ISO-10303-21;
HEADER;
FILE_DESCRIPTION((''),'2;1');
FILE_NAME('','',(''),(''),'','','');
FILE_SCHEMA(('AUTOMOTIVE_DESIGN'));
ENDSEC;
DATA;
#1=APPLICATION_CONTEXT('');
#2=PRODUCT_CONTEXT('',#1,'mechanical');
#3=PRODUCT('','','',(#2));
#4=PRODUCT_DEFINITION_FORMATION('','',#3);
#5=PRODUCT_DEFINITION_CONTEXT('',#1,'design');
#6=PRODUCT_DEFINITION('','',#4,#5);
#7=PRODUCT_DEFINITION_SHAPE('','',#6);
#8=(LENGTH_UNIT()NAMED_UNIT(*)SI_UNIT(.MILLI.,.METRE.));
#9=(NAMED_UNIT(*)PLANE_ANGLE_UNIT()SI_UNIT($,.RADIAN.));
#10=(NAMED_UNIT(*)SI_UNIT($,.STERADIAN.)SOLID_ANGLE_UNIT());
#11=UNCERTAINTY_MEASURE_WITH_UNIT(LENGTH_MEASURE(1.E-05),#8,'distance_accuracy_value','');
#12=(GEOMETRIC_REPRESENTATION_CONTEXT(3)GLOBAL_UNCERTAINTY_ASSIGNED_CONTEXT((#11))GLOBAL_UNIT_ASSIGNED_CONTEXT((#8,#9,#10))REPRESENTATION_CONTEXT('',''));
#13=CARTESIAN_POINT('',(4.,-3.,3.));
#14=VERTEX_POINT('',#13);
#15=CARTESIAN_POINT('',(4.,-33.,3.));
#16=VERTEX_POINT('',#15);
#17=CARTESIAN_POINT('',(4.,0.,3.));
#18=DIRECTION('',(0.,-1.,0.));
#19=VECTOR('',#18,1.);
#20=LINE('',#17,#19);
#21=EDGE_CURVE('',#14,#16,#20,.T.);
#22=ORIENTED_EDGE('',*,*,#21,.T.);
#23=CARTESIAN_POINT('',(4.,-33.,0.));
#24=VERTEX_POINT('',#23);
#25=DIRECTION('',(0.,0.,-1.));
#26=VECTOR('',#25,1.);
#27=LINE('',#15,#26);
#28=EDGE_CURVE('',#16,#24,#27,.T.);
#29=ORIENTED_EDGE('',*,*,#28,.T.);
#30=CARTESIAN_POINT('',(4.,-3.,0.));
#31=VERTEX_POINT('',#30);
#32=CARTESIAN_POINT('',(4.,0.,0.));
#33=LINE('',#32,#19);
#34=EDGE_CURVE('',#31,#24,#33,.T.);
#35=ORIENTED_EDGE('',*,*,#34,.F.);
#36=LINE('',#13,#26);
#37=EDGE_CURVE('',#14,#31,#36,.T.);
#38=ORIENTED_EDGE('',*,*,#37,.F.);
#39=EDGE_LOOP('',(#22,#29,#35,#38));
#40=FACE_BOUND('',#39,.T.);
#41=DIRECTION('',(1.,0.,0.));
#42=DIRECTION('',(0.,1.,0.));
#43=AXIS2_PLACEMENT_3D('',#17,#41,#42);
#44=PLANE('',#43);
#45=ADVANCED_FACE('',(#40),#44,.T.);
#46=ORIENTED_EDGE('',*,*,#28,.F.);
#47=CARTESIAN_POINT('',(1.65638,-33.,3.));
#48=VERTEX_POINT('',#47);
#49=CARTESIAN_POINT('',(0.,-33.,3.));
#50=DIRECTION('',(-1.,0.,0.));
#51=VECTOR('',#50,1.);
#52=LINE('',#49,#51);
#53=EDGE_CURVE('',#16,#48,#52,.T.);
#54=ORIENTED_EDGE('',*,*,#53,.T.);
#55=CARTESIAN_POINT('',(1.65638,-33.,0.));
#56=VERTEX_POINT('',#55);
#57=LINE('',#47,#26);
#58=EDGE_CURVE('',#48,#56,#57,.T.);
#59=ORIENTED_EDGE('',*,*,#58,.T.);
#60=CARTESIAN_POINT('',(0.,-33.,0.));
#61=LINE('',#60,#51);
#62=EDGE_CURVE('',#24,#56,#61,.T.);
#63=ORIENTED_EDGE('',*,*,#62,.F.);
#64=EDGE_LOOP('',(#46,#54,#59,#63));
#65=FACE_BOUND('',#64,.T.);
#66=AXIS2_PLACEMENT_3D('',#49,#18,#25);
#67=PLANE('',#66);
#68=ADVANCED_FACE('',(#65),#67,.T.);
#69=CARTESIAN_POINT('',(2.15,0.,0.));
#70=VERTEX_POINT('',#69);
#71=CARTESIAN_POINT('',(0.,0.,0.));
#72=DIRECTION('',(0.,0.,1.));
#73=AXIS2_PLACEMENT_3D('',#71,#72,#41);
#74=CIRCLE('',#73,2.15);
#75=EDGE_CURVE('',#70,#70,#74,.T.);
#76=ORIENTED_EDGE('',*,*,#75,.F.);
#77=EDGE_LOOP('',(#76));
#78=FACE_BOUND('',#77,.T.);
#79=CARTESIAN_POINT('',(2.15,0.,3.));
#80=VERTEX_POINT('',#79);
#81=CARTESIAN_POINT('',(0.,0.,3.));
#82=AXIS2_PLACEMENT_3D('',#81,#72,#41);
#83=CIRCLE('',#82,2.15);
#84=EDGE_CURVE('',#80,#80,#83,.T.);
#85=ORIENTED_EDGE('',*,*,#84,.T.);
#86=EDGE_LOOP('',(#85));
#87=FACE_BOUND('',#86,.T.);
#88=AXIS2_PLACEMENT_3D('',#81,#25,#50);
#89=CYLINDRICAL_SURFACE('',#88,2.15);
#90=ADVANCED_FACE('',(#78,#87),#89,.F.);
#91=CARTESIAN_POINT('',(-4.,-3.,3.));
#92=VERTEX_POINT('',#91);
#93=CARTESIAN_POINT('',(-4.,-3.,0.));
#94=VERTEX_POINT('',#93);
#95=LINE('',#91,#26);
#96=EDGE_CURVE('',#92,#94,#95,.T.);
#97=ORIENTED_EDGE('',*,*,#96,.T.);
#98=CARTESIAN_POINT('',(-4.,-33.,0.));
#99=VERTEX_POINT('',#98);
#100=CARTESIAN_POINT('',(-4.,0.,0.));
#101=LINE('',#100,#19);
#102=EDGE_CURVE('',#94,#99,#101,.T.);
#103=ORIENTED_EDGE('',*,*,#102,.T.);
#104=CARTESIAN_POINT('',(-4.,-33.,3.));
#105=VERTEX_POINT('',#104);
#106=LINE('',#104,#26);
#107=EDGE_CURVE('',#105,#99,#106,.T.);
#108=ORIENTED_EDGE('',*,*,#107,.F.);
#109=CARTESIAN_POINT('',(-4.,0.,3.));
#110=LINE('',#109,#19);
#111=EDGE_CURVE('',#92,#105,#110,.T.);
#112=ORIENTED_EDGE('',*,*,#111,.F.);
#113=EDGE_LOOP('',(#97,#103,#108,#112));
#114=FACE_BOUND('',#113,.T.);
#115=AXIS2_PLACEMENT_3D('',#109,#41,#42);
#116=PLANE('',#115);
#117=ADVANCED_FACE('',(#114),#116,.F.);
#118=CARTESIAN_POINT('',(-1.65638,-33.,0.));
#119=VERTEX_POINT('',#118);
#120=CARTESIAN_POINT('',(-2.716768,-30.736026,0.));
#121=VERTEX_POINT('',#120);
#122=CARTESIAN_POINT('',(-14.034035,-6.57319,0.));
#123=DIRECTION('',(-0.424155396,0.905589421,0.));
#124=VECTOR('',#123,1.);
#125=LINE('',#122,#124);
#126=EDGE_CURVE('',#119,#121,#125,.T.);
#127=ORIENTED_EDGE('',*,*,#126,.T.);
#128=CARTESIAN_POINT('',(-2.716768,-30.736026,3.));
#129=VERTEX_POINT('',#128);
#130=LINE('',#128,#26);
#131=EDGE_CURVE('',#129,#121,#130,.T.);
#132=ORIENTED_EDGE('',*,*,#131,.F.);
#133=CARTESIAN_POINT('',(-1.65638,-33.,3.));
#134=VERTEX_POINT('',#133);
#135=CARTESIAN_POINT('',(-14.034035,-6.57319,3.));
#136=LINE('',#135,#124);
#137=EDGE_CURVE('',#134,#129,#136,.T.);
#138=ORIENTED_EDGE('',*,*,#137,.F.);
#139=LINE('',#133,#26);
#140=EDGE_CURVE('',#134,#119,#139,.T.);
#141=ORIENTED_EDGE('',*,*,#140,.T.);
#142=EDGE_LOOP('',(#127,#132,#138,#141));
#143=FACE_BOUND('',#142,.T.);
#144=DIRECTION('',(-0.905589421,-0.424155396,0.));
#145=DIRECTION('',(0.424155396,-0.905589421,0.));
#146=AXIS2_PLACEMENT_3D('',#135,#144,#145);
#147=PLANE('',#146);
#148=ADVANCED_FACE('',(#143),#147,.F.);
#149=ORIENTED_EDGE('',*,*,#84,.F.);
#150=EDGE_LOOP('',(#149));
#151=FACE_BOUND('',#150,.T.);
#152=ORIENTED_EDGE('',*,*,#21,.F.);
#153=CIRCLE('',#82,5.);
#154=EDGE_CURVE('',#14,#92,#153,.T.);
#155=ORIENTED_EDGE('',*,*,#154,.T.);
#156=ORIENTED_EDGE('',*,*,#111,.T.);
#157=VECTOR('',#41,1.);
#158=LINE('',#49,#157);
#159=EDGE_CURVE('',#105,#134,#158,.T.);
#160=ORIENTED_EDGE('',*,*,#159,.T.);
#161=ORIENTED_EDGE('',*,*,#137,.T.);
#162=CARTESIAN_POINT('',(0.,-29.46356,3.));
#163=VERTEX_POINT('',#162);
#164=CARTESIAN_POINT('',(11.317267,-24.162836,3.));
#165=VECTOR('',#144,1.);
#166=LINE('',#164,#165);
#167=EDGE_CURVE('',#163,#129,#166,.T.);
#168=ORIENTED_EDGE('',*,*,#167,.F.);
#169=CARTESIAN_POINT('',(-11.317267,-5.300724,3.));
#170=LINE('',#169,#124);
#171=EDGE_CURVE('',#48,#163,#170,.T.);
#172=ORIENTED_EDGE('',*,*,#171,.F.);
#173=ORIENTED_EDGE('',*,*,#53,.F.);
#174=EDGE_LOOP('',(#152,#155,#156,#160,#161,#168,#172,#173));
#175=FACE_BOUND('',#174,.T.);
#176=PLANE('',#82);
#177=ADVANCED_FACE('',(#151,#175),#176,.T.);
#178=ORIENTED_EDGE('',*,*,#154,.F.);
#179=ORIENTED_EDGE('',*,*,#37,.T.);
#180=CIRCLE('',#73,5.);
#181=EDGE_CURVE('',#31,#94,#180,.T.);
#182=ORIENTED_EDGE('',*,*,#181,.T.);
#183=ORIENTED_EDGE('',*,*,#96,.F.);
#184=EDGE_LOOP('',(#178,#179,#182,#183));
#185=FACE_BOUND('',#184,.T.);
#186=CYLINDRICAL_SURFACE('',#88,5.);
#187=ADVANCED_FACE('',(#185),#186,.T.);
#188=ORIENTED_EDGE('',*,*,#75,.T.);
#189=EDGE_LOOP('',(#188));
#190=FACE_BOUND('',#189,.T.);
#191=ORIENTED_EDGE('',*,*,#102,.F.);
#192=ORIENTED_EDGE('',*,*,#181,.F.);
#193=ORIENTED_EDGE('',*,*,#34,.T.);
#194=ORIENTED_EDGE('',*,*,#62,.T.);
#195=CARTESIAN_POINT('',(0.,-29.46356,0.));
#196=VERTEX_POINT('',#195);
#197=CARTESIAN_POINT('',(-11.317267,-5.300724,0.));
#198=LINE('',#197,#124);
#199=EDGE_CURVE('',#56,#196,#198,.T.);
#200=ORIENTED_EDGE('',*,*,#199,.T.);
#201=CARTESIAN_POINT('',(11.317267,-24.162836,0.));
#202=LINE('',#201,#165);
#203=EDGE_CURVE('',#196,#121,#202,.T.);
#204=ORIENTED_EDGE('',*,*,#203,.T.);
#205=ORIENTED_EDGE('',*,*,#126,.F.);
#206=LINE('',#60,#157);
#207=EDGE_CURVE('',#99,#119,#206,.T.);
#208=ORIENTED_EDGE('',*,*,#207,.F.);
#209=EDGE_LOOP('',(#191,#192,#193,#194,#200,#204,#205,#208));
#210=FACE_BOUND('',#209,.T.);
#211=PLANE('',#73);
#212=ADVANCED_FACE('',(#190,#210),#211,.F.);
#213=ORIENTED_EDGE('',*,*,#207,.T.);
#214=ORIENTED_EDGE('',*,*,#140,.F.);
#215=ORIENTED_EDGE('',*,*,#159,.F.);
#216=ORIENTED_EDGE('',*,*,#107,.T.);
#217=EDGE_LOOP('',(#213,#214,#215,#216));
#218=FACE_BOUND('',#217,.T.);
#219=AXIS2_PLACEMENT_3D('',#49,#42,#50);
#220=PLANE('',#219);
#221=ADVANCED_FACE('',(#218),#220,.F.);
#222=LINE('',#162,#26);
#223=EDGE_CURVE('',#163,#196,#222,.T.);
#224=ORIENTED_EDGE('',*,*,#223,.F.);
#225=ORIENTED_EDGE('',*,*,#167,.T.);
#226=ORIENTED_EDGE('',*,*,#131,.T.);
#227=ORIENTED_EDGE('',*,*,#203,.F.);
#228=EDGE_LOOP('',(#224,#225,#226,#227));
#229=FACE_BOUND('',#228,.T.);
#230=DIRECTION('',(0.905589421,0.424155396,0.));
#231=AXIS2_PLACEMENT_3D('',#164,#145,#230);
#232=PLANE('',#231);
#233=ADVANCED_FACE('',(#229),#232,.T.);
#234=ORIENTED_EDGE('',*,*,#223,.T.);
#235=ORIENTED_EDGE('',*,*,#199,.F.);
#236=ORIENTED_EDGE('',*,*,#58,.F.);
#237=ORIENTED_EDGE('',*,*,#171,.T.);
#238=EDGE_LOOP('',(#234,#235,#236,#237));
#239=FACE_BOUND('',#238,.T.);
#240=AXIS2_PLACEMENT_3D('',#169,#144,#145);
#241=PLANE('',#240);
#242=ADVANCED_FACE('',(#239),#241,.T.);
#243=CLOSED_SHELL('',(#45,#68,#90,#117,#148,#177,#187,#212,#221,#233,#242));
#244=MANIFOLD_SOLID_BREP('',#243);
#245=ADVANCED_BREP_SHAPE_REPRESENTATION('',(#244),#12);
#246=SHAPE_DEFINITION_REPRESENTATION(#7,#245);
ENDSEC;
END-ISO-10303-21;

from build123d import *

# Parameters (mm, degrees)
SKETCH1_R           = 2.15
BOSS_EXTRUDE1_DEPTH = 3


with BuildPart() as part:
    # Sketch1 → Boss-Extrude1 (new body)
    with BuildSketch(Plane.XY):
        with BuildLine():
            Line((4, -33), (4, -3))
            ThreePointArc((4, -3), (0, 5), (-4, -3))
            Line((-4, -3), (-4, -33))
            Line((-4, -33), (-1.656379773, -33))
            Line((-1.656379773, -33), (-2.716768264, -30.736026447))
            Line((-2.716768264, -30.736026447), (0, -29.463560258))
            Line((0, -29.463560258), (1.656379773, -33))
            Line((1.656379773, -33), (4, -33))
        make_face()
        Circle(SKETCH1_R, mode=Mode.SUBTRACT)
    extrude(amount=BOSS_EXTRUDE1_DEPTH)


solid = part.part
